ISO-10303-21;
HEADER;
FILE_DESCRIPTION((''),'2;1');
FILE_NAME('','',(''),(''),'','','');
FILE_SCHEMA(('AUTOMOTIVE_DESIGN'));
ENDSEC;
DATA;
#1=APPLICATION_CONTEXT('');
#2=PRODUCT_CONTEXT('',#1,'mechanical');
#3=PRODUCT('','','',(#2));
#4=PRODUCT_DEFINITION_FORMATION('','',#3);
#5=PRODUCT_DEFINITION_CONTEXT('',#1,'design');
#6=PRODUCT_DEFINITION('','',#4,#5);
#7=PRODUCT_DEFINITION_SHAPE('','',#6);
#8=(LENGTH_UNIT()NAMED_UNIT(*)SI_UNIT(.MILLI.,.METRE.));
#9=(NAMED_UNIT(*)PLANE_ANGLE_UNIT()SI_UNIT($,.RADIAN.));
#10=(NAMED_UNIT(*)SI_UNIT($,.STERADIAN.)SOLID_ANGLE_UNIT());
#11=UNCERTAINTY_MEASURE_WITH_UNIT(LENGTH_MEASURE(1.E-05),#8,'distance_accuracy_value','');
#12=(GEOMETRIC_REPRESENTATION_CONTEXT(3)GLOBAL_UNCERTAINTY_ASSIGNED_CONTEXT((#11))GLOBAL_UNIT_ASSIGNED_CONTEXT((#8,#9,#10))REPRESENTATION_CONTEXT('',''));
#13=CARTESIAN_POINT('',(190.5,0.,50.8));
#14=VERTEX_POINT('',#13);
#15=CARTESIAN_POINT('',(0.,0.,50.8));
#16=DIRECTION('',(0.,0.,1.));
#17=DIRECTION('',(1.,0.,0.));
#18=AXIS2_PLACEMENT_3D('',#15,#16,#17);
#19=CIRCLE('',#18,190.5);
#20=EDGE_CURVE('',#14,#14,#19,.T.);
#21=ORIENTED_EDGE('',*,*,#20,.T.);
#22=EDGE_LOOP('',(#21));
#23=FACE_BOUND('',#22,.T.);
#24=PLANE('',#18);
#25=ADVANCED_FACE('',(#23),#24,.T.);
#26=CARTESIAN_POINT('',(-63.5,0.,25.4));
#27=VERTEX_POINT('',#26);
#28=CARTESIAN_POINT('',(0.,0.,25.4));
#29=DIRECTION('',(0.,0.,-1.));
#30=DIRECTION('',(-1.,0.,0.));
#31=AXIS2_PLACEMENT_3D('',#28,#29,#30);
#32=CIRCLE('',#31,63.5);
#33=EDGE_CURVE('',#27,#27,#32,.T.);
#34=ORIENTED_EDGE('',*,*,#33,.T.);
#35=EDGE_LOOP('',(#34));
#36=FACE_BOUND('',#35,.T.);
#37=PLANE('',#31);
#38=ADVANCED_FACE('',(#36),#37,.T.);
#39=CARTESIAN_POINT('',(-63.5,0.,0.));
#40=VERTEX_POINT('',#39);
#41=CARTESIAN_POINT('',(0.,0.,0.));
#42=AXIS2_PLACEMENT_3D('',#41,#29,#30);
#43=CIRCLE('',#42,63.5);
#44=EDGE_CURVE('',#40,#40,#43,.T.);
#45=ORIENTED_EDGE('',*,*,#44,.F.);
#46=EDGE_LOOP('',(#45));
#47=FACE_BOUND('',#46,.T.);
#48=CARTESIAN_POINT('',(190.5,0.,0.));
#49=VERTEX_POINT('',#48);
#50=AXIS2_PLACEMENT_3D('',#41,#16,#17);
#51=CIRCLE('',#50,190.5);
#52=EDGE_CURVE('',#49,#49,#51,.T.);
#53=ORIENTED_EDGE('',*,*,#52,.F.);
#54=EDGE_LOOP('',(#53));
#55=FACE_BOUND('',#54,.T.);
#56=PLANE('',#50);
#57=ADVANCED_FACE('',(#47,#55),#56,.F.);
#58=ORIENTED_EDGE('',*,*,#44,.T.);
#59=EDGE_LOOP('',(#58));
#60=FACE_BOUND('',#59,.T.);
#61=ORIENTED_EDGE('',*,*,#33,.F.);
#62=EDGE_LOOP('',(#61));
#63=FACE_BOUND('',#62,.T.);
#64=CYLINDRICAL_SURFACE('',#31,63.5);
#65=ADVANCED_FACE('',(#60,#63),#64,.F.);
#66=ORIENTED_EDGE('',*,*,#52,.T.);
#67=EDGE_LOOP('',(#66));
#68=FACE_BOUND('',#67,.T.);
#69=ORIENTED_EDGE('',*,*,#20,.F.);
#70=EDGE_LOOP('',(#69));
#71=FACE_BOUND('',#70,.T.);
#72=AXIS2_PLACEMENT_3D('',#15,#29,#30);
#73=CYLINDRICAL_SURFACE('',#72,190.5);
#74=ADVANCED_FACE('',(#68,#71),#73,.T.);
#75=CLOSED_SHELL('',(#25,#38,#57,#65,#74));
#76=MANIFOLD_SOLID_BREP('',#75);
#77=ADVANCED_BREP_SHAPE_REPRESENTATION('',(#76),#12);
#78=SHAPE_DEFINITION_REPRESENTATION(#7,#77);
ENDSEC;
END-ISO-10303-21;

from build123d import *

# Parameters (mm, degrees)
SKETCH1_R           = 190.5
BOSS_EXTRUDE1_DEPTH = 50.8
SKETCH3_R           = 63.5
CUT_EXTRUDE2_DEPTH  = 25.4


with BuildPart() as part:
    # Sketch1 → Boss-Extrude1 (new body)
    with BuildSketch(Plane.XY):
        Circle(SKETCH1_R)
    extrude(amount=BOSS_EXTRUDE1_DEPTH)

    # Sketch3 → Cut-Extrude2 (cut)
    with BuildSketch(Plane(origin=(0, 0, 0), x_dir=(-1, 0, 0), z_dir=(0, 0, -1))):
        Circle(SKETCH3_R)
    extrude(amount=-CUT_EXTRUDE2_DEPTH, mode=Mode.SUBTRACT)


solid = part.part
